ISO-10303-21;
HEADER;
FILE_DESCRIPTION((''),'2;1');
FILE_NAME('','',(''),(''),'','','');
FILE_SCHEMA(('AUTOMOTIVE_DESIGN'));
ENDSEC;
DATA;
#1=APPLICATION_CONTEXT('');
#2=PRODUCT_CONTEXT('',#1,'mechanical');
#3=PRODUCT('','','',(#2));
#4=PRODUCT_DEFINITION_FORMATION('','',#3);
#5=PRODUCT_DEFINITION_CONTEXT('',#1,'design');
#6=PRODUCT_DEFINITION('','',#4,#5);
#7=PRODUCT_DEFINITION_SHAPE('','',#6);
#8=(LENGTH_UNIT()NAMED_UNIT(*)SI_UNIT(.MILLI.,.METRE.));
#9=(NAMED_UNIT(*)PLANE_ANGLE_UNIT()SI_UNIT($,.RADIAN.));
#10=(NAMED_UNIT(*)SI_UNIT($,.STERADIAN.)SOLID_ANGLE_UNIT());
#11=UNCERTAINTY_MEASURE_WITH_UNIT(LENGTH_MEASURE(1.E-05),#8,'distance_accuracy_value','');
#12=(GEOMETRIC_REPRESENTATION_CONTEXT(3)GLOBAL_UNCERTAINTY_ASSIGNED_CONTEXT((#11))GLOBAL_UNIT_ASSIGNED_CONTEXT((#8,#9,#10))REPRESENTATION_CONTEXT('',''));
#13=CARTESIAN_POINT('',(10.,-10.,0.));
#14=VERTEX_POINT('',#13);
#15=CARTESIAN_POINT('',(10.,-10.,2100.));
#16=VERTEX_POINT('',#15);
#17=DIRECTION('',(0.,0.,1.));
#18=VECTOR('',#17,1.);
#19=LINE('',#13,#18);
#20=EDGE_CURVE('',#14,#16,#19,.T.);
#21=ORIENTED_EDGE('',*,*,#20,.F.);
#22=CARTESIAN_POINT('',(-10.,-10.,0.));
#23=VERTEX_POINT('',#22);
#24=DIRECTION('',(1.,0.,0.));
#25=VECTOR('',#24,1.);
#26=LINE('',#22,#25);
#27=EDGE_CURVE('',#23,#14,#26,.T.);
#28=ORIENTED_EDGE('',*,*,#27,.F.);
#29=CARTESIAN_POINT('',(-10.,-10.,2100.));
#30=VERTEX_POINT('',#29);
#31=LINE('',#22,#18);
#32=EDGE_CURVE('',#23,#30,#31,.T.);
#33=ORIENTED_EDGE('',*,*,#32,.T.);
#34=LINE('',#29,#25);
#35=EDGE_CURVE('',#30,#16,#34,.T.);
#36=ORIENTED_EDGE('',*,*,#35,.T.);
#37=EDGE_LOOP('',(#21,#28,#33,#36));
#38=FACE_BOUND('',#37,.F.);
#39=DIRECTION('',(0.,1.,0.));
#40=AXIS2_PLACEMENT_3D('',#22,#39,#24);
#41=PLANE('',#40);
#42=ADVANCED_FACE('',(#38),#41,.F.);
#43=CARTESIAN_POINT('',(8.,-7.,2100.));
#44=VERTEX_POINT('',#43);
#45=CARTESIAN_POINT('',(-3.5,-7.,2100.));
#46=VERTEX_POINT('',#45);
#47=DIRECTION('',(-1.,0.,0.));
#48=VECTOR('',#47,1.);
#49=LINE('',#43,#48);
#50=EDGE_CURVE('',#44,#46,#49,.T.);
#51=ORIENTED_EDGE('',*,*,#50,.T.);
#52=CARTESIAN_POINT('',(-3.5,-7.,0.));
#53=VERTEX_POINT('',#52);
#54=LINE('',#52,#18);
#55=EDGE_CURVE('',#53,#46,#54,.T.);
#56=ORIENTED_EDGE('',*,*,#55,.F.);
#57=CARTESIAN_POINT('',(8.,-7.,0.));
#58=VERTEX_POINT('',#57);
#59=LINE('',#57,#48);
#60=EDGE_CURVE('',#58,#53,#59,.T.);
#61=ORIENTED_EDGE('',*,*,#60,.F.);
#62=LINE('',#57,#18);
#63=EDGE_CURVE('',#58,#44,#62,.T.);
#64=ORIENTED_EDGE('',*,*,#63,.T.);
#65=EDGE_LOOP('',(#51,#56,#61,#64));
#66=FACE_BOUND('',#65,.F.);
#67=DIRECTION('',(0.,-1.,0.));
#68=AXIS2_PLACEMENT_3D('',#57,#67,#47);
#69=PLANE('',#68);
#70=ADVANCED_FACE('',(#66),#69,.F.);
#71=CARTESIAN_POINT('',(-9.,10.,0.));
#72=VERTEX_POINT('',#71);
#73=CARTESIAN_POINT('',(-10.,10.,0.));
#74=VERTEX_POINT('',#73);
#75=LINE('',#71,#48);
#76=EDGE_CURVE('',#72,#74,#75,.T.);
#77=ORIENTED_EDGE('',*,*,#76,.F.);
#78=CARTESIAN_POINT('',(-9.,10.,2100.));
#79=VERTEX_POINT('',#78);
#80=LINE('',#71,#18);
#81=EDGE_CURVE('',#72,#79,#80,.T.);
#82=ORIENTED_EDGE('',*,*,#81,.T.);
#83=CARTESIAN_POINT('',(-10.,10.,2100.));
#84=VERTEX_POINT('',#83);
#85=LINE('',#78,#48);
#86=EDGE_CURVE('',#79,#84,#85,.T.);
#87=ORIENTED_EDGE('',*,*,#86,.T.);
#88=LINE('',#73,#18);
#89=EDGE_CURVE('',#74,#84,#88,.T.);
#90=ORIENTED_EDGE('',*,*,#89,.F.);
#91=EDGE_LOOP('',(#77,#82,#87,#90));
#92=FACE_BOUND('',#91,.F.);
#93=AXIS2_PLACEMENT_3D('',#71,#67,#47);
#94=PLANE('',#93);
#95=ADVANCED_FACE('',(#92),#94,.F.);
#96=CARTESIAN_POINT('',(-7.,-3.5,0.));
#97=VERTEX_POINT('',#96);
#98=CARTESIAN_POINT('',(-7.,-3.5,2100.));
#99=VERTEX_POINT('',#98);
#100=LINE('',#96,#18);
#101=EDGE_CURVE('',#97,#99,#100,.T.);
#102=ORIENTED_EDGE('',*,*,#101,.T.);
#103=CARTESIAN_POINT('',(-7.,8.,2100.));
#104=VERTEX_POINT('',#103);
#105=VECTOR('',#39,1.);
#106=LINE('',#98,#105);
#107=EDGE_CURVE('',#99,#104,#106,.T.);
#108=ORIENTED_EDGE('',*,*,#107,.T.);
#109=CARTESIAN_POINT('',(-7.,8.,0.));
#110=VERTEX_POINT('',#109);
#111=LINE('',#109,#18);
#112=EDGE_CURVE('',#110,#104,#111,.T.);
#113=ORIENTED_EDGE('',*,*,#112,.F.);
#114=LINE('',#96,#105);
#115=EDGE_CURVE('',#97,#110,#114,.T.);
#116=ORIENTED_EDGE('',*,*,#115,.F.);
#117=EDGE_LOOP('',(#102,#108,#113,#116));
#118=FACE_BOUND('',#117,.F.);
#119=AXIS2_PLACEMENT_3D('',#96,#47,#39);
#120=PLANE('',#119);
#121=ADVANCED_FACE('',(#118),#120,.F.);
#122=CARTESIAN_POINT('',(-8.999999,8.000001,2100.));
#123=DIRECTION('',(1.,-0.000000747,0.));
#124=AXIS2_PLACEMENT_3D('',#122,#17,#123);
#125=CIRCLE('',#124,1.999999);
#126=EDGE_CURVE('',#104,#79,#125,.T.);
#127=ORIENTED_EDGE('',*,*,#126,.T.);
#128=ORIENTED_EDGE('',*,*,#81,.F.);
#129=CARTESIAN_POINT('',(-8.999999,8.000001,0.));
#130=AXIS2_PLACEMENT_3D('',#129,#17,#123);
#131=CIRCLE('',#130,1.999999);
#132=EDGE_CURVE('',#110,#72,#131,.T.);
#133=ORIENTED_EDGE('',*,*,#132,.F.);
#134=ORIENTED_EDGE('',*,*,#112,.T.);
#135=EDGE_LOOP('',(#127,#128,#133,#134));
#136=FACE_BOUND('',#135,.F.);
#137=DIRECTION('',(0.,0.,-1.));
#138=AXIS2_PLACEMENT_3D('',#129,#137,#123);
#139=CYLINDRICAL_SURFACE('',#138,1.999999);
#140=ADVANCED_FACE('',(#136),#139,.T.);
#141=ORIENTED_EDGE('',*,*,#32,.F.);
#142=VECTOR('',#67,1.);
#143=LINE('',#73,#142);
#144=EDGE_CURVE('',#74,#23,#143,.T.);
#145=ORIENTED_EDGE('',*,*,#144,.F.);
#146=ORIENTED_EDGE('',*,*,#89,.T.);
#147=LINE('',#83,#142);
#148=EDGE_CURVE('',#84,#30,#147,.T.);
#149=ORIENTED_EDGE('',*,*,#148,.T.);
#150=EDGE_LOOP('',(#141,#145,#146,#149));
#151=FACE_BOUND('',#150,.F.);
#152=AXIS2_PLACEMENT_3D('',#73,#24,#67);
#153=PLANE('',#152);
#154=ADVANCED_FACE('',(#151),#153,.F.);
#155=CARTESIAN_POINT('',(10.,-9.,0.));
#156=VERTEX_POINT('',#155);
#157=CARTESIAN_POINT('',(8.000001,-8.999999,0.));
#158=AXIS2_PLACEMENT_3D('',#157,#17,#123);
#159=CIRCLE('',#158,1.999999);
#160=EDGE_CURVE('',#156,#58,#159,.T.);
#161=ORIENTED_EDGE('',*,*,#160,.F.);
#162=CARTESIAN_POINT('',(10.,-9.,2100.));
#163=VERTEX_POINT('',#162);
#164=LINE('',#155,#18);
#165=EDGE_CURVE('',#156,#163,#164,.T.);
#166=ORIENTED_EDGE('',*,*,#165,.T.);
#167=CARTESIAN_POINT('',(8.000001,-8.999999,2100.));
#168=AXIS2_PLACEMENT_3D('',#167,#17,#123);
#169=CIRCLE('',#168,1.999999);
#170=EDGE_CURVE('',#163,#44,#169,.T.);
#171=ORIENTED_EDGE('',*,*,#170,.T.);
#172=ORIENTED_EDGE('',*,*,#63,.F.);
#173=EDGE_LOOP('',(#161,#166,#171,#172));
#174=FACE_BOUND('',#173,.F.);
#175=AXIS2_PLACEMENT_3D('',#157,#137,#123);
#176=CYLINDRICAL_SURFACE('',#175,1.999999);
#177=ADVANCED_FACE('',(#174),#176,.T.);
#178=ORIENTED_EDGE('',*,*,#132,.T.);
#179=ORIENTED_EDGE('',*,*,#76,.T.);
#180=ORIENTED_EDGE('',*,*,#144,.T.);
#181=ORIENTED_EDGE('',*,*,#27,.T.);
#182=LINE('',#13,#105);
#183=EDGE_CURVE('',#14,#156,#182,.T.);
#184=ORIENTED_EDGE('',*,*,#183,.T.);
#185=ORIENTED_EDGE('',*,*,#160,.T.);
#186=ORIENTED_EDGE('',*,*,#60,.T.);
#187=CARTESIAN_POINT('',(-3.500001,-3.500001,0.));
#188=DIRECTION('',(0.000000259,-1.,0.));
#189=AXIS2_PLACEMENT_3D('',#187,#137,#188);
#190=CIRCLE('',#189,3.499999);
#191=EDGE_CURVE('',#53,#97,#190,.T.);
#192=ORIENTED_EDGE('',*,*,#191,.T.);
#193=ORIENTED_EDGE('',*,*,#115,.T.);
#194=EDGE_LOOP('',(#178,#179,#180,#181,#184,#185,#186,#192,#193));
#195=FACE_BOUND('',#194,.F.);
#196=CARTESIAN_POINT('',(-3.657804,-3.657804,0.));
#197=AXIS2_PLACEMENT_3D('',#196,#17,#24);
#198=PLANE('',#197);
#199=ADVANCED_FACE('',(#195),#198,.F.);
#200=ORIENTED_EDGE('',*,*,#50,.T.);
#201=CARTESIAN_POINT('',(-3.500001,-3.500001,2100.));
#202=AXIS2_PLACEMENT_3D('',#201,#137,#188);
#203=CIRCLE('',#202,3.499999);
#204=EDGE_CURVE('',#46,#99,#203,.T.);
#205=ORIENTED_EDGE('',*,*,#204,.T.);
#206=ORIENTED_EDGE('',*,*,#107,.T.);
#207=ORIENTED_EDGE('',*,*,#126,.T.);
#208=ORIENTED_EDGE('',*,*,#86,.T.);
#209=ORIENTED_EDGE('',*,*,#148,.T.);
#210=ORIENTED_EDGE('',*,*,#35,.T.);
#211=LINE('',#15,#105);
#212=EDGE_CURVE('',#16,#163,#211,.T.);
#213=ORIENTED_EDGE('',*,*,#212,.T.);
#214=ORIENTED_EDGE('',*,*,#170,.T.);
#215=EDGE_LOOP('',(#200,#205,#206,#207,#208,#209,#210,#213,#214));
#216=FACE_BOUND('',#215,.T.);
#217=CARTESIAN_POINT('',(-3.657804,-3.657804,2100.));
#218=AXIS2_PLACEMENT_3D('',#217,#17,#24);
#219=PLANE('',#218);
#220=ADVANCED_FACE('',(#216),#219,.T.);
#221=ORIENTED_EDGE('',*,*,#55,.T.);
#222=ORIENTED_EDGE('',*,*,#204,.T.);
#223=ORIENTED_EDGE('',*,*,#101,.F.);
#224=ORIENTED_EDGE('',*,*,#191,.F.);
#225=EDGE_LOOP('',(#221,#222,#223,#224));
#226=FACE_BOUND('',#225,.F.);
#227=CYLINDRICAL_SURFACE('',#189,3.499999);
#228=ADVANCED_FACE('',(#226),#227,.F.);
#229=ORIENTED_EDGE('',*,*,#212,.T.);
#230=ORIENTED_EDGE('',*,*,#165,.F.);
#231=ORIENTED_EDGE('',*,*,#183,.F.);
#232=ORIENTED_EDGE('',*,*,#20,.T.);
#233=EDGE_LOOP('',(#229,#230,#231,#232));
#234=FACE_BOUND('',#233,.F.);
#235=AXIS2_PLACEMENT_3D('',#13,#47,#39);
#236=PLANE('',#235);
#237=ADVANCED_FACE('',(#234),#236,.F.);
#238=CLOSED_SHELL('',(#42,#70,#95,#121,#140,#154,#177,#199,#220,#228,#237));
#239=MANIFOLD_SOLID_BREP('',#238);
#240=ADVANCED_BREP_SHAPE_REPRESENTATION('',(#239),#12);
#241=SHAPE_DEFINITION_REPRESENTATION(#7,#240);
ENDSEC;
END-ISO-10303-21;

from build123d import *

# Parameters (mm, degrees)
F1_DEPTH = 2100


with BuildPart() as f1:
    # F0 (on Top) → F1 (new body)
    with BuildSketch(Plane.XY):
        with BuildLine():
            Line((-10, 10), (-10, -10))
            Line((-10, -10), (10, -10))
            Line((10, -10), (10, -9))
            ThreePointArc((10, -9), (9.414214, -7.585786), (8, -7))
            Line((8, -7), (-3.5, -7))
            ThreePointArc((-3.5, -7), (-5.974874, -5.974874), (-7, -3.5))
            Line((-7, -3.5), (-7, 8))
            ThreePointArc((-7, 8), (-7.585786, 9.414214), (-9, 10))
            Line((-9, 10), (-10, 10))
        make_face()
    extrude(amount=F1_DEPTH)


solid = f1.part
